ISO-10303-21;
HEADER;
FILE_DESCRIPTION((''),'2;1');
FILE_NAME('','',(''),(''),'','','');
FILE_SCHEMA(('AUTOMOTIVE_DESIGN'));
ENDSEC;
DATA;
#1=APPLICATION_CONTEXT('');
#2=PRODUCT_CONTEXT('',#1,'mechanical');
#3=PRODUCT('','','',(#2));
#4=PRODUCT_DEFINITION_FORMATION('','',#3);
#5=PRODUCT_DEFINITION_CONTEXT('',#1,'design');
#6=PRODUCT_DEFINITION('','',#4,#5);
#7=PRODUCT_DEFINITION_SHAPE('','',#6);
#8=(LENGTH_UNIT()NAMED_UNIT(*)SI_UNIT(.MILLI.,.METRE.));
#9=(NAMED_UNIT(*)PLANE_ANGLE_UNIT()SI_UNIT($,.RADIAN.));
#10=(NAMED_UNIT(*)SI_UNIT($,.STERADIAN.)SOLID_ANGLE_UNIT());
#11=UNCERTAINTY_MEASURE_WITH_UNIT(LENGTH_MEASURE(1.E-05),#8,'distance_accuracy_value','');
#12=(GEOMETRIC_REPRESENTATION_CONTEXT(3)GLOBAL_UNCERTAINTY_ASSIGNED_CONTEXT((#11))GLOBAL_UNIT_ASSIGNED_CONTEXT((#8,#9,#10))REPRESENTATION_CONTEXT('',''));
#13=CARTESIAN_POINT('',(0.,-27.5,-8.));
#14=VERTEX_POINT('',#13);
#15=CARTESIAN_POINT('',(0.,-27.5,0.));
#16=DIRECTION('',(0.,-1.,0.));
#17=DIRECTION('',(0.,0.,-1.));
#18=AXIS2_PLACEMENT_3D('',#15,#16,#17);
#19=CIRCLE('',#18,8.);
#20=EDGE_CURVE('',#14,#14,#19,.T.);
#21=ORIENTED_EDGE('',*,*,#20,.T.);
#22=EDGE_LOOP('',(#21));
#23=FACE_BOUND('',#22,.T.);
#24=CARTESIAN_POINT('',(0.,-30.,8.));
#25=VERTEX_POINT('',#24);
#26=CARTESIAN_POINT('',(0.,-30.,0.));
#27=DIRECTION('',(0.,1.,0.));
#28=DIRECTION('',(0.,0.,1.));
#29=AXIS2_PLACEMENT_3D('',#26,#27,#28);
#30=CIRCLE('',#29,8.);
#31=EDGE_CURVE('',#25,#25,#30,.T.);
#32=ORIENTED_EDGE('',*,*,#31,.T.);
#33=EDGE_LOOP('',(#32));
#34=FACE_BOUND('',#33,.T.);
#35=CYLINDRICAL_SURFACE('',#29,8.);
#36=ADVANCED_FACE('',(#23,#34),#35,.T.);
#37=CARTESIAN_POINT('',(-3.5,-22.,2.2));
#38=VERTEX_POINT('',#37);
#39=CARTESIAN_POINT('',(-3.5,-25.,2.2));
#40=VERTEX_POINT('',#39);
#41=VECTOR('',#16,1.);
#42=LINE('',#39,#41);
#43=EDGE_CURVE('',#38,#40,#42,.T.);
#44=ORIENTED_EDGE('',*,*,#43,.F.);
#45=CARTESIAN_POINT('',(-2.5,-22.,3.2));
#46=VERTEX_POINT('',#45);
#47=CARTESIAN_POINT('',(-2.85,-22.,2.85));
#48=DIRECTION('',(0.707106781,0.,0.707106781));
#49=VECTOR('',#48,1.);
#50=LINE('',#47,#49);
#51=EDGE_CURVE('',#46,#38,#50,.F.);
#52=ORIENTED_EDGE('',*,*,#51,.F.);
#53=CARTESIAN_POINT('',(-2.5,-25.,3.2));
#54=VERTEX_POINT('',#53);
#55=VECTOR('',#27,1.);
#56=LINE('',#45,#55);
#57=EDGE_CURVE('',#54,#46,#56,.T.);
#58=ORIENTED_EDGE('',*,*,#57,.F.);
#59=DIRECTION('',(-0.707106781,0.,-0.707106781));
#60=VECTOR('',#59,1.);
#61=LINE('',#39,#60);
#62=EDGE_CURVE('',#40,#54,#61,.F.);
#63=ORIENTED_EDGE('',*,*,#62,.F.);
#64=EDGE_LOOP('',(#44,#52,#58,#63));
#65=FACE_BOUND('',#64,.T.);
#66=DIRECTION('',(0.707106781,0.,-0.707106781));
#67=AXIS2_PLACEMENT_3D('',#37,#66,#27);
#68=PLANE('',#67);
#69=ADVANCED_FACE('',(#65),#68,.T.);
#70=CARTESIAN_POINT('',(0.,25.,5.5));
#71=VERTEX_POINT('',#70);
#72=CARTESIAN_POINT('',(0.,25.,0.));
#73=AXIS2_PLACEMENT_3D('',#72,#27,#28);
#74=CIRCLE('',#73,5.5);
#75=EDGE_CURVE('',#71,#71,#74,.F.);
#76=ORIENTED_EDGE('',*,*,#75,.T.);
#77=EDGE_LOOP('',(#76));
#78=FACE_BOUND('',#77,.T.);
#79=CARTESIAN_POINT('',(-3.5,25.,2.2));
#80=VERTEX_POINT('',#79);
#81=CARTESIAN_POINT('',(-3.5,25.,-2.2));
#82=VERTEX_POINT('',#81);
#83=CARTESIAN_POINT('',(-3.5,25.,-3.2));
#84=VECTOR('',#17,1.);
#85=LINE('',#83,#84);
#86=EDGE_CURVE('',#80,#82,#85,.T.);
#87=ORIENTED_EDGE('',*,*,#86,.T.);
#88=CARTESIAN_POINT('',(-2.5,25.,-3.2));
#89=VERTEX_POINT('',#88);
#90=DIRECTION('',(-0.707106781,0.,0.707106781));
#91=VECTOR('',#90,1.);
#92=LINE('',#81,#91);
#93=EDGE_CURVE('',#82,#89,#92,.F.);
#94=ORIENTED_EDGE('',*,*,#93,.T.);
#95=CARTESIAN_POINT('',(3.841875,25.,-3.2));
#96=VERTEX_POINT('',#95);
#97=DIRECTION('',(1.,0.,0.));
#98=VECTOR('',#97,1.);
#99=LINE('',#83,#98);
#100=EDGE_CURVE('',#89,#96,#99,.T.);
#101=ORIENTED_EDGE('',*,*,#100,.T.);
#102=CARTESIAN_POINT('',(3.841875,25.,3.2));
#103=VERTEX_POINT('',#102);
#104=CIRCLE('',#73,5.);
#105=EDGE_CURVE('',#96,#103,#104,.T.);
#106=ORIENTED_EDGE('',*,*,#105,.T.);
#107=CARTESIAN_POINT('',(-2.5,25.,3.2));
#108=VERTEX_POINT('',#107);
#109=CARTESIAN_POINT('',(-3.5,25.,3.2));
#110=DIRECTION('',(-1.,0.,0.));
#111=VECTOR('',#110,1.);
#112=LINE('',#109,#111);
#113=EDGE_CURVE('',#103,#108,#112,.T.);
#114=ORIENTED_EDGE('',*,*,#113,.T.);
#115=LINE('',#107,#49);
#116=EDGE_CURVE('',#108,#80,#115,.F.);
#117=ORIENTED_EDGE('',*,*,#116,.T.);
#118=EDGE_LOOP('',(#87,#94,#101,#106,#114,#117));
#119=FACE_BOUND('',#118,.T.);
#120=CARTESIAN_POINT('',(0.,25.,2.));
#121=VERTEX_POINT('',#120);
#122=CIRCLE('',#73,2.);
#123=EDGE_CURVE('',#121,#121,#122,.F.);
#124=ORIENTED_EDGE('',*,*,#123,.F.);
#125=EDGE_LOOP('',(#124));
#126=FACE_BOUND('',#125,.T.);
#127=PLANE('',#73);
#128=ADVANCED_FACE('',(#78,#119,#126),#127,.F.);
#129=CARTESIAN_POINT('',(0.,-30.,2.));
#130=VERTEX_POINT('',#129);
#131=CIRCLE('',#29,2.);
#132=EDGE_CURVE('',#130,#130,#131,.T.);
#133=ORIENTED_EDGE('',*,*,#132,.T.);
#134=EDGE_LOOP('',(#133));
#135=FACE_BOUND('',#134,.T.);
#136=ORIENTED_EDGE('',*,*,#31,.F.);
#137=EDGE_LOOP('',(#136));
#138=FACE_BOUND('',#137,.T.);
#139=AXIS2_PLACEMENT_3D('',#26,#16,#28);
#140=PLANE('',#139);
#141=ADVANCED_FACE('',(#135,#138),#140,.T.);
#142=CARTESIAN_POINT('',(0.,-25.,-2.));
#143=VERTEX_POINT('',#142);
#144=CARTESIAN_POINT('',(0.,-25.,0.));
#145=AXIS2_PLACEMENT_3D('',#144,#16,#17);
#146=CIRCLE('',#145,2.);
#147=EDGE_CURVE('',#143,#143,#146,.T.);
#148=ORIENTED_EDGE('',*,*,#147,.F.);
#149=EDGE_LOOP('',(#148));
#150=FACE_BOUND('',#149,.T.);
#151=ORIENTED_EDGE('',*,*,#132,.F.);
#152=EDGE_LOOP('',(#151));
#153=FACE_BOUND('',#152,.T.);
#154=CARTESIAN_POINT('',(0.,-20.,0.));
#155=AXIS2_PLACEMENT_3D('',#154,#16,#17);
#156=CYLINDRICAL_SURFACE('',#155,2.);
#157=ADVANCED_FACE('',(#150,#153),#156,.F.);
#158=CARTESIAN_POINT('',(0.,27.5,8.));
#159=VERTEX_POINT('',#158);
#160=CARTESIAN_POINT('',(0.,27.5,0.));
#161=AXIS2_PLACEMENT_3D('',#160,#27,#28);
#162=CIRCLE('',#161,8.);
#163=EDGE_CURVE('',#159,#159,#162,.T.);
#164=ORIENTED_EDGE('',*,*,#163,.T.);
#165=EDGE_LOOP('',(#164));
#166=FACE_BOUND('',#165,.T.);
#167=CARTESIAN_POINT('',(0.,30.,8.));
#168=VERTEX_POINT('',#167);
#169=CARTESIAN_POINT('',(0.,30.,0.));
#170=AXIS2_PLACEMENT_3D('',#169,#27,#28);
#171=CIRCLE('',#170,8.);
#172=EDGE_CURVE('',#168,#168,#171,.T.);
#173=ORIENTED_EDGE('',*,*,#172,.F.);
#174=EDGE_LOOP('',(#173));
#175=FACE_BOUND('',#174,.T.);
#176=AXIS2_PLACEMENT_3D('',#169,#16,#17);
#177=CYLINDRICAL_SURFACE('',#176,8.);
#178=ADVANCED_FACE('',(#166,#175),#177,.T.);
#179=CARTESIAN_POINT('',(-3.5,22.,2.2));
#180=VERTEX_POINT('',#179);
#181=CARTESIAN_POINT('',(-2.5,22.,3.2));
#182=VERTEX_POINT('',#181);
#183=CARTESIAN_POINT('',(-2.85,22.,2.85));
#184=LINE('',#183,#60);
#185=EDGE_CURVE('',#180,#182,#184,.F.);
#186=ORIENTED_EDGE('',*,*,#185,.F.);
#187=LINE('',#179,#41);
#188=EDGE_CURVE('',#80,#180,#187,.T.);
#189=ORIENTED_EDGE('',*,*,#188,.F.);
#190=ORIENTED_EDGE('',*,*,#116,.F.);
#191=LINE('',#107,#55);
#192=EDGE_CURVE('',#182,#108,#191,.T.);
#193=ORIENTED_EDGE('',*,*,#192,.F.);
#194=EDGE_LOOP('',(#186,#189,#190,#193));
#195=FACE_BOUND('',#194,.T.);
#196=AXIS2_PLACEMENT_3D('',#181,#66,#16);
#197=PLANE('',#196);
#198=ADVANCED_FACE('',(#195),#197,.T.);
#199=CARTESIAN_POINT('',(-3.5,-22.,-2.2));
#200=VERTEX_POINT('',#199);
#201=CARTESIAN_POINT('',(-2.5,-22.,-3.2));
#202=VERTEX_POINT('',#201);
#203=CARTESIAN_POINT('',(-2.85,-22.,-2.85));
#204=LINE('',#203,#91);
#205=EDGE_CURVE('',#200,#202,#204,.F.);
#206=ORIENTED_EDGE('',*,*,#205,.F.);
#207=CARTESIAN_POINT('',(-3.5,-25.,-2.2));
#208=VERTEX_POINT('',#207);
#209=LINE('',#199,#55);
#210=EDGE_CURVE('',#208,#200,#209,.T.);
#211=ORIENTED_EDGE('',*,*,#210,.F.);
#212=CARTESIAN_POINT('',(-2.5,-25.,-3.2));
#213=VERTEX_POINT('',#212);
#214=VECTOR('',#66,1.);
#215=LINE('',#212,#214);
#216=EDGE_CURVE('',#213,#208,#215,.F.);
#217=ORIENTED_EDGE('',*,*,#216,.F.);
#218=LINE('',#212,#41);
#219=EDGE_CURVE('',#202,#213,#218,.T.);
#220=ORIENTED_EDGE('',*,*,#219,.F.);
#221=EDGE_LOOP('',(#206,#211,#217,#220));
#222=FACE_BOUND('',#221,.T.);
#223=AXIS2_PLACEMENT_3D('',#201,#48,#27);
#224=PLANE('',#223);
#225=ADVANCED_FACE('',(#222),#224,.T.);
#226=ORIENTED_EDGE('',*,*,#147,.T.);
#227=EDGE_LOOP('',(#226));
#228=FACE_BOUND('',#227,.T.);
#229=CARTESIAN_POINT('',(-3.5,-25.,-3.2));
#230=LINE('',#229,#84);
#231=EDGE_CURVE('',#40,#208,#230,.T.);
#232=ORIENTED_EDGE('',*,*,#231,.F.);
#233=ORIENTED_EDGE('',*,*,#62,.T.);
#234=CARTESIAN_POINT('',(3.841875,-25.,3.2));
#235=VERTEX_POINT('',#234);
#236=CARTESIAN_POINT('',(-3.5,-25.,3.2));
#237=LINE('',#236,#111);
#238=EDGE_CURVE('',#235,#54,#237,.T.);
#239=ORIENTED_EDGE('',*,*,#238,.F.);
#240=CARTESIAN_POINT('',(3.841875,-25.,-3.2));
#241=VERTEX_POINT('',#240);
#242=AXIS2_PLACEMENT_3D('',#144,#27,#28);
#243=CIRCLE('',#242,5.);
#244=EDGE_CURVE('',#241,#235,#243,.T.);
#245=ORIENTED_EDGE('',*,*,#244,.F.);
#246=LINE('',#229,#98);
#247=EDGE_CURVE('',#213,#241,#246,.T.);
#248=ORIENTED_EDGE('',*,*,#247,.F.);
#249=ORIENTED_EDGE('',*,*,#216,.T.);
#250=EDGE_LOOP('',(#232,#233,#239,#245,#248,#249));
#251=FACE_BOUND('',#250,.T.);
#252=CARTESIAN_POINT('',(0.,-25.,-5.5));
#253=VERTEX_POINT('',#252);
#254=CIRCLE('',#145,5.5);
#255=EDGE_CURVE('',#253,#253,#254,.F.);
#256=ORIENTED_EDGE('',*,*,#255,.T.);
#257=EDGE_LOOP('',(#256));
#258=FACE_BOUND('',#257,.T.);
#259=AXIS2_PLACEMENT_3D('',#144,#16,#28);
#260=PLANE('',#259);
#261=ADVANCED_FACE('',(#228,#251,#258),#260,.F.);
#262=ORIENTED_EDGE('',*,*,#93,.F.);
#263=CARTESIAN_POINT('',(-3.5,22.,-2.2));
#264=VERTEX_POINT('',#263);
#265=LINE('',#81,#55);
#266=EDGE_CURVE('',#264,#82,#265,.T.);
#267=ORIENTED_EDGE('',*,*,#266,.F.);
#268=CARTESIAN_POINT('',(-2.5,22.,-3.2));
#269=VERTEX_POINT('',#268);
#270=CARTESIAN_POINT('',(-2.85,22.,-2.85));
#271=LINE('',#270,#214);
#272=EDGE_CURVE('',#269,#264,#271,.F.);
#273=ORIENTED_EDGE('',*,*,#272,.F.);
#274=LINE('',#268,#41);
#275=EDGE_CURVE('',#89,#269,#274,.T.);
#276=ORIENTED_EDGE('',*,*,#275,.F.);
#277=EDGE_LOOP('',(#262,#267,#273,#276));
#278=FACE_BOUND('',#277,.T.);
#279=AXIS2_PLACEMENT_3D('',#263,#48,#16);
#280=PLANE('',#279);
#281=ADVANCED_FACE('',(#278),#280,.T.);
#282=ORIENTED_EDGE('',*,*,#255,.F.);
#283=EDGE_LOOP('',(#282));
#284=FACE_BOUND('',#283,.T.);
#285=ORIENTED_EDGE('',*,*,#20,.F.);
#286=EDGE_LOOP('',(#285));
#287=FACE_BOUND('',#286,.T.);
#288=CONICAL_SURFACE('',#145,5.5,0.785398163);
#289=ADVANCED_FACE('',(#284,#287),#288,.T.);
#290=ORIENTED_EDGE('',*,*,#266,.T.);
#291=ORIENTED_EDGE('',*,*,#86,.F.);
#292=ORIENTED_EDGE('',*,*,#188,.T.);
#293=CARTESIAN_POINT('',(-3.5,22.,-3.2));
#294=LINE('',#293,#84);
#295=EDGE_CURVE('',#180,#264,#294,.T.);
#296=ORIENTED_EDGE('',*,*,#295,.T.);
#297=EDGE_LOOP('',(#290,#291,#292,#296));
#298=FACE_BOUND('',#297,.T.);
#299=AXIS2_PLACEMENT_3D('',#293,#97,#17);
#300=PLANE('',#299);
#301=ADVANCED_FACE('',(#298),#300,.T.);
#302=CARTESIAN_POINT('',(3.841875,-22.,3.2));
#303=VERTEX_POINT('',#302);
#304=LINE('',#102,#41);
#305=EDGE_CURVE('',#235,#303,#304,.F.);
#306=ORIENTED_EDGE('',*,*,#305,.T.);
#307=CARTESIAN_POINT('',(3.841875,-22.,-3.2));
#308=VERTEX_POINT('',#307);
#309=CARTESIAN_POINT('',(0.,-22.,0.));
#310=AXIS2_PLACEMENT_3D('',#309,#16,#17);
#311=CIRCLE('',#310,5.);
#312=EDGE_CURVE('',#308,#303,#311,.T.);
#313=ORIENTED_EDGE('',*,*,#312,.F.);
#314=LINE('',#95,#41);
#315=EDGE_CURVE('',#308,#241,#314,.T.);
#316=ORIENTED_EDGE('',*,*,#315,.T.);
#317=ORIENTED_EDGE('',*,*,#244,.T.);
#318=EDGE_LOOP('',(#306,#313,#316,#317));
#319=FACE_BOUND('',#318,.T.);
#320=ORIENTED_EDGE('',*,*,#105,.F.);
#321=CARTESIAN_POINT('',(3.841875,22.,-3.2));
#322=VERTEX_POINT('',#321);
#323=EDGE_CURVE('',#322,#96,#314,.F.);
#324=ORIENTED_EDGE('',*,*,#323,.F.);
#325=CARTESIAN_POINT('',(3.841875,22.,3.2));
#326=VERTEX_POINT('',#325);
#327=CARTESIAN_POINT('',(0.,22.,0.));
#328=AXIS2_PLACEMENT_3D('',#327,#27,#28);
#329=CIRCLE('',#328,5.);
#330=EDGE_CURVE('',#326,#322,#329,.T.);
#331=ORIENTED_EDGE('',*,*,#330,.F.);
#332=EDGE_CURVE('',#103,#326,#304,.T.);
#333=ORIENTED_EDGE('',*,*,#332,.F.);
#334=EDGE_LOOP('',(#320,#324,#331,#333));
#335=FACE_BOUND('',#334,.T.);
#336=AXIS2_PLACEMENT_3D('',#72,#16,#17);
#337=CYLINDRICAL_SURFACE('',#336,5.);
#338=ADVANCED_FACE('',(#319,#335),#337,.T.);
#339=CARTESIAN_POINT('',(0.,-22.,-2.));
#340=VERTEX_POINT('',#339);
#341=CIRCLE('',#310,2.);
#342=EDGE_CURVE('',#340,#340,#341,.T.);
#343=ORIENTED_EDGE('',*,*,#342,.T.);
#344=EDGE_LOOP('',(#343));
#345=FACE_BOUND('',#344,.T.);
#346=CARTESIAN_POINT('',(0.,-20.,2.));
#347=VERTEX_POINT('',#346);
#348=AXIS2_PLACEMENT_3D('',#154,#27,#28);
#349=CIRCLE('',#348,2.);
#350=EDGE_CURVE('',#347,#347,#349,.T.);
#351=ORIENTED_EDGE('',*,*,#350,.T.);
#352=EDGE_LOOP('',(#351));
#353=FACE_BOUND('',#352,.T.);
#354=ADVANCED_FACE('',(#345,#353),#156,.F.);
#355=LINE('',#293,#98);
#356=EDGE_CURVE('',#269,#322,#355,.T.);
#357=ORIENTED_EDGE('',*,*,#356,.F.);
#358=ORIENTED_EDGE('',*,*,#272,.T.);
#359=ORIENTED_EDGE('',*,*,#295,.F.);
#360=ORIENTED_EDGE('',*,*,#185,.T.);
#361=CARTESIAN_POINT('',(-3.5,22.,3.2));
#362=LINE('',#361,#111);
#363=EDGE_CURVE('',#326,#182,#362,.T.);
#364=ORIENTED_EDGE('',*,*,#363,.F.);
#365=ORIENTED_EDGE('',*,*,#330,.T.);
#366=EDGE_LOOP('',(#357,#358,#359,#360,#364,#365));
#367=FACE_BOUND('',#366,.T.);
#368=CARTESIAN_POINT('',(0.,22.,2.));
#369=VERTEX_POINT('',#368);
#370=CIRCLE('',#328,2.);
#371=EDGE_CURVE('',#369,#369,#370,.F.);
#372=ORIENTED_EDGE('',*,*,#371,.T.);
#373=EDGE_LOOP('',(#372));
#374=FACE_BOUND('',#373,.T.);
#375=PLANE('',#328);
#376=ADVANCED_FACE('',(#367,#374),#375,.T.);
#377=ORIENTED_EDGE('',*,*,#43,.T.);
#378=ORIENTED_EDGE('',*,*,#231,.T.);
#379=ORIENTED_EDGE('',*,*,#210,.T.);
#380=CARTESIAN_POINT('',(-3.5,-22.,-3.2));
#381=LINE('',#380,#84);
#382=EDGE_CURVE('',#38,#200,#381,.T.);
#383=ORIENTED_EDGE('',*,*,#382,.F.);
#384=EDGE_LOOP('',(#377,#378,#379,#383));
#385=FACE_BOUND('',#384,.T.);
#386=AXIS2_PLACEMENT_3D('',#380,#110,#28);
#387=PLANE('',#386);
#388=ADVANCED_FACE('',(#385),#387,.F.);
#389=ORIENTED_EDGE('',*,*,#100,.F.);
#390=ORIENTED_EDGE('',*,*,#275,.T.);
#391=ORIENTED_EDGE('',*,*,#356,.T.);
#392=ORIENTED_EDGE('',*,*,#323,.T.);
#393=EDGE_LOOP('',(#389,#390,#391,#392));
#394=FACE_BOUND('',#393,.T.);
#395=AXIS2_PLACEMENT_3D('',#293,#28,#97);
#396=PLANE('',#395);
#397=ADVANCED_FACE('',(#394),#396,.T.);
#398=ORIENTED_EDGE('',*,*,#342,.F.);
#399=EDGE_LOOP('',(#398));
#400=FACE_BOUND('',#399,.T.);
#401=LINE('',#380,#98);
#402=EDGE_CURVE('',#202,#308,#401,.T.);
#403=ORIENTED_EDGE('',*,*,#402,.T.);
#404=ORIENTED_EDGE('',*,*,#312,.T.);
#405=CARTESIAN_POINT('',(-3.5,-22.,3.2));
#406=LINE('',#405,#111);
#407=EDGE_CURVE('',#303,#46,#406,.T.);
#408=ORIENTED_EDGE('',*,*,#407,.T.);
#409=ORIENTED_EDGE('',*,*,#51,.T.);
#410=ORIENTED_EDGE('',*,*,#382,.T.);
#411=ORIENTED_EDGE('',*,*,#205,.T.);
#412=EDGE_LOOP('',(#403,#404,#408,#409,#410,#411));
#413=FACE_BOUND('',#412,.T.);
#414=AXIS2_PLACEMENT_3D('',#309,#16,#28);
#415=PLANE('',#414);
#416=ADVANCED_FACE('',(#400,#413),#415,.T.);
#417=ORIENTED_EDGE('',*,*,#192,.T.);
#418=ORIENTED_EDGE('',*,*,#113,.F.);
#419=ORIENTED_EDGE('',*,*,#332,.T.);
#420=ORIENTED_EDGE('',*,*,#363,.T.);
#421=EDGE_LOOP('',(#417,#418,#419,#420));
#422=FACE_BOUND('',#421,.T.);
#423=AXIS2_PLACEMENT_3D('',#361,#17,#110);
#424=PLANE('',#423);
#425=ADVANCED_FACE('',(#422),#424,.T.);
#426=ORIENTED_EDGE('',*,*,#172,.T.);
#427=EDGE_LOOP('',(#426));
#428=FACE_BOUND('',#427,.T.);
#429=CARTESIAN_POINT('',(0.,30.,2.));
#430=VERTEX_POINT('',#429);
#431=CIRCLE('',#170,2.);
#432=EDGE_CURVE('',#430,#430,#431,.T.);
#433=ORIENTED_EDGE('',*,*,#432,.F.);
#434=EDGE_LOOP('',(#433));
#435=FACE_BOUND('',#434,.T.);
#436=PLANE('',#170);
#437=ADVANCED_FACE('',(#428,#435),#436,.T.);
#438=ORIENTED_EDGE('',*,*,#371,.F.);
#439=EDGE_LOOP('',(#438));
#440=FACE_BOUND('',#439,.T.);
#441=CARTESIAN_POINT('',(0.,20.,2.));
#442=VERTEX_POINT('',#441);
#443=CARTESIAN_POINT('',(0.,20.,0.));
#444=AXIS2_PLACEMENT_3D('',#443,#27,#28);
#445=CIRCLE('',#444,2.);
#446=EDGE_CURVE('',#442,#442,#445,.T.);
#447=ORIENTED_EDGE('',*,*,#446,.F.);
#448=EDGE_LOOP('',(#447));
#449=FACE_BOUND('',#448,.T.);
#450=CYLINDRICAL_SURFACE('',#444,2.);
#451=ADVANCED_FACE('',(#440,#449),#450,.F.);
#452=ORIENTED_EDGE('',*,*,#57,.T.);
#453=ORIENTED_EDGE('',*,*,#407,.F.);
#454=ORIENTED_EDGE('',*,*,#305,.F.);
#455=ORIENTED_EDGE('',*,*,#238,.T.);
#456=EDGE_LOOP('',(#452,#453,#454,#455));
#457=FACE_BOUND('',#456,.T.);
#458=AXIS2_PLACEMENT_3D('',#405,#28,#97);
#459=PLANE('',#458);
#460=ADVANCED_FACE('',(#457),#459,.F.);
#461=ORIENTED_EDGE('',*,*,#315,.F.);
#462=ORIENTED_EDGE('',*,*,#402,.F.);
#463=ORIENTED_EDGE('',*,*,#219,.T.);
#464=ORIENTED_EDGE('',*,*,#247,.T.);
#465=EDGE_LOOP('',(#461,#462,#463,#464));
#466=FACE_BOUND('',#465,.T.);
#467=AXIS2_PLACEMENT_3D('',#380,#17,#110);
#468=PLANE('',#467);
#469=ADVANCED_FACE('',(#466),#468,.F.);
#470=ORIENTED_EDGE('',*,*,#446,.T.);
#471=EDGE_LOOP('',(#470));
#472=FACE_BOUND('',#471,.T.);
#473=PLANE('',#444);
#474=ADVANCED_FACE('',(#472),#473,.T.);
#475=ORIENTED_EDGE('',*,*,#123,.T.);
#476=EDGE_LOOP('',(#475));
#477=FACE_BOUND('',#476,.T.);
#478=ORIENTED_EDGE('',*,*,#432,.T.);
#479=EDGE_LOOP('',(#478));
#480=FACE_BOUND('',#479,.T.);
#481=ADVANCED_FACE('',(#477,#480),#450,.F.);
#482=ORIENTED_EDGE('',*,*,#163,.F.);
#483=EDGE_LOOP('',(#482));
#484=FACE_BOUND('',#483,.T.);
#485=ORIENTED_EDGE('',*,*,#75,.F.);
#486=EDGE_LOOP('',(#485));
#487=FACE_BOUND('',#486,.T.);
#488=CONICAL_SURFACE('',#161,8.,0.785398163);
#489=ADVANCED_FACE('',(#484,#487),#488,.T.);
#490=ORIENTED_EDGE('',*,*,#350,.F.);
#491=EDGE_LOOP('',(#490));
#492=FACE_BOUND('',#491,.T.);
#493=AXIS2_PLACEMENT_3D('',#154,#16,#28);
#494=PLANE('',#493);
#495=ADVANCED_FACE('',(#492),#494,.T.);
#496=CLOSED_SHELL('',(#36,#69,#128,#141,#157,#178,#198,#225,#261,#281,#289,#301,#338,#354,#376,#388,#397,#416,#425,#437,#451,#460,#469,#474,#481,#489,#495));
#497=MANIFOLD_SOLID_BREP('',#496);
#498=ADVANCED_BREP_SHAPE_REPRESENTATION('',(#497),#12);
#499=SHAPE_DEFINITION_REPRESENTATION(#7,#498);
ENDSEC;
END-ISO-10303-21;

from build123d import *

# Parameters (mm, degrees)
SKETCH1_R                = 5
BOSS_EXTRUDE1_DEPTH      = 25
SKETCH2_R                = 8
BOSS_EXTRUDE2_DEPTH      = 5
CHAMFER2_SIZE            = 2.5
SKETCH3_R                = 2
CUT_EXTRUDE1_DEPTH       = 10
SKETCH6_W                = 14.643635598
SKETCH6_H                = 6.4
CUT_EXTRUDE2_DEPTH       = 3
CHAMFER4_SIZE            = 1
CHAMFER2_OF_MIRROR4_SIZE = 2.5
CHAMFER4_OF_MIRROR4_SIZE = 1


with BuildPart() as part:
    # Sketch1 → Boss-Extrude1 (new, symmetric)
    with BuildSketch(Plane(origin=(0, 0, 0), x_dir=(1, 0, 0), z_dir=(0, 1, 0))):
        with Locations(Location((0, 0, 0), (0, 0, 270))):
            Circle(SKETCH1_R)
    extrude(amount=BOSS_EXTRUDE1_DEPTH, both=True)

    # Sketch2 → Boss-Extrude2 (add)
    with BuildSketch(Plane(origin=(0, 25, 0), x_dir=(1, 0, 0), z_dir=(0, 1, 0))):
        with Locations(Location((0, 0, 0), (0, 0, 270))):
            Circle(SKETCH2_R)
    boss_extrude2 = extrude(amount=BOSS_EXTRUDE2_DEPTH)

    # Chamfer2
    chamfer2_edges = [part.edges().sort_by_distance(p)[0] for p in [
        (0, 25, -8),
    ]]
    chamfer(chamfer2_edges, length=CHAMFER2_SIZE)

    # Sketch3 → Cut-Extrude1 (cut)
    with BuildSketch(Plane(origin=(0, 30, 0), x_dir=(1, 0, 0), z_dir=(0, 1, 0))):
        with Locations(Location((0, 0, 0), (0, 0, 270))):
            Circle(SKETCH3_R)
    cut_extrude1 = extrude(amount=-CUT_EXTRUDE1_DEPTH, mode=Mode.SUBTRACT)

    # Sketch6 → Cut-Extrude2 (cut)
    with BuildSketch(Plane(origin=(0, 25, 0), x_dir=(-1, 0, 0), z_dir=(0, -1, 0))):
        with Locations((-3.821817799, 0)):
            Rectangle(SKETCH6_W, SKETCH6_H)
    cut_extrude2 = extrude(amount=CUT_EXTRUDE2_DEPTH, mode=Mode.SUBTRACT)

    # Chamfer4
    chamfer4_edges = [part.edges().sort_by_distance(p)[0] for p in [
        (-3.5, 23.5, -3.2),
        (-3.5, 23.5, 3.2),
    ]]
    chamfer(chamfer4_edges, length=CHAMFER4_SIZE)

    # Mirror4: Boss-Extrude2, Cut-Extrude1, Cut-Extrude2 across plane
    add(boss_extrude2.mirror(Plane(origin=(0, 0, 0), x_dir=(0, 0, 1), z_dir=(0, -1, 0))))
    add(cut_extrude1.mirror(Plane(origin=(0, 0, 0), x_dir=(0, 0, 1), z_dir=(0, -1, 0))), mode=Mode.SUBTRACT)
    add(cut_extrude2.mirror(Plane(origin=(0, 0, 0), x_dir=(0, 0, 1), z_dir=(0, -1, 0))), mode=Mode.SUBTRACT)

    # Chamfer2 of Mirror4
    chamfer2_of_mirror4_edges = [part.edges().sort_by_distance(p)[0] for p in [
        (0, -25, -8),
    ]]
    chamfer(chamfer2_of_mirror4_edges, length=CHAMFER2_OF_MIRROR4_SIZE)

    # Chamfer4 of Mirror4
    chamfer4_of_mirror4_edges = [part.edges().sort_by_distance(p)[0] for p in [
        (-3.5, -23.5, -3.2),
        (-3.5, -23.5, 3.2),
    ]]
    chamfer(chamfer4_of_mirror4_edges, length=CHAMFER4_OF_MIRROR4_SIZE)


solid = part.part
